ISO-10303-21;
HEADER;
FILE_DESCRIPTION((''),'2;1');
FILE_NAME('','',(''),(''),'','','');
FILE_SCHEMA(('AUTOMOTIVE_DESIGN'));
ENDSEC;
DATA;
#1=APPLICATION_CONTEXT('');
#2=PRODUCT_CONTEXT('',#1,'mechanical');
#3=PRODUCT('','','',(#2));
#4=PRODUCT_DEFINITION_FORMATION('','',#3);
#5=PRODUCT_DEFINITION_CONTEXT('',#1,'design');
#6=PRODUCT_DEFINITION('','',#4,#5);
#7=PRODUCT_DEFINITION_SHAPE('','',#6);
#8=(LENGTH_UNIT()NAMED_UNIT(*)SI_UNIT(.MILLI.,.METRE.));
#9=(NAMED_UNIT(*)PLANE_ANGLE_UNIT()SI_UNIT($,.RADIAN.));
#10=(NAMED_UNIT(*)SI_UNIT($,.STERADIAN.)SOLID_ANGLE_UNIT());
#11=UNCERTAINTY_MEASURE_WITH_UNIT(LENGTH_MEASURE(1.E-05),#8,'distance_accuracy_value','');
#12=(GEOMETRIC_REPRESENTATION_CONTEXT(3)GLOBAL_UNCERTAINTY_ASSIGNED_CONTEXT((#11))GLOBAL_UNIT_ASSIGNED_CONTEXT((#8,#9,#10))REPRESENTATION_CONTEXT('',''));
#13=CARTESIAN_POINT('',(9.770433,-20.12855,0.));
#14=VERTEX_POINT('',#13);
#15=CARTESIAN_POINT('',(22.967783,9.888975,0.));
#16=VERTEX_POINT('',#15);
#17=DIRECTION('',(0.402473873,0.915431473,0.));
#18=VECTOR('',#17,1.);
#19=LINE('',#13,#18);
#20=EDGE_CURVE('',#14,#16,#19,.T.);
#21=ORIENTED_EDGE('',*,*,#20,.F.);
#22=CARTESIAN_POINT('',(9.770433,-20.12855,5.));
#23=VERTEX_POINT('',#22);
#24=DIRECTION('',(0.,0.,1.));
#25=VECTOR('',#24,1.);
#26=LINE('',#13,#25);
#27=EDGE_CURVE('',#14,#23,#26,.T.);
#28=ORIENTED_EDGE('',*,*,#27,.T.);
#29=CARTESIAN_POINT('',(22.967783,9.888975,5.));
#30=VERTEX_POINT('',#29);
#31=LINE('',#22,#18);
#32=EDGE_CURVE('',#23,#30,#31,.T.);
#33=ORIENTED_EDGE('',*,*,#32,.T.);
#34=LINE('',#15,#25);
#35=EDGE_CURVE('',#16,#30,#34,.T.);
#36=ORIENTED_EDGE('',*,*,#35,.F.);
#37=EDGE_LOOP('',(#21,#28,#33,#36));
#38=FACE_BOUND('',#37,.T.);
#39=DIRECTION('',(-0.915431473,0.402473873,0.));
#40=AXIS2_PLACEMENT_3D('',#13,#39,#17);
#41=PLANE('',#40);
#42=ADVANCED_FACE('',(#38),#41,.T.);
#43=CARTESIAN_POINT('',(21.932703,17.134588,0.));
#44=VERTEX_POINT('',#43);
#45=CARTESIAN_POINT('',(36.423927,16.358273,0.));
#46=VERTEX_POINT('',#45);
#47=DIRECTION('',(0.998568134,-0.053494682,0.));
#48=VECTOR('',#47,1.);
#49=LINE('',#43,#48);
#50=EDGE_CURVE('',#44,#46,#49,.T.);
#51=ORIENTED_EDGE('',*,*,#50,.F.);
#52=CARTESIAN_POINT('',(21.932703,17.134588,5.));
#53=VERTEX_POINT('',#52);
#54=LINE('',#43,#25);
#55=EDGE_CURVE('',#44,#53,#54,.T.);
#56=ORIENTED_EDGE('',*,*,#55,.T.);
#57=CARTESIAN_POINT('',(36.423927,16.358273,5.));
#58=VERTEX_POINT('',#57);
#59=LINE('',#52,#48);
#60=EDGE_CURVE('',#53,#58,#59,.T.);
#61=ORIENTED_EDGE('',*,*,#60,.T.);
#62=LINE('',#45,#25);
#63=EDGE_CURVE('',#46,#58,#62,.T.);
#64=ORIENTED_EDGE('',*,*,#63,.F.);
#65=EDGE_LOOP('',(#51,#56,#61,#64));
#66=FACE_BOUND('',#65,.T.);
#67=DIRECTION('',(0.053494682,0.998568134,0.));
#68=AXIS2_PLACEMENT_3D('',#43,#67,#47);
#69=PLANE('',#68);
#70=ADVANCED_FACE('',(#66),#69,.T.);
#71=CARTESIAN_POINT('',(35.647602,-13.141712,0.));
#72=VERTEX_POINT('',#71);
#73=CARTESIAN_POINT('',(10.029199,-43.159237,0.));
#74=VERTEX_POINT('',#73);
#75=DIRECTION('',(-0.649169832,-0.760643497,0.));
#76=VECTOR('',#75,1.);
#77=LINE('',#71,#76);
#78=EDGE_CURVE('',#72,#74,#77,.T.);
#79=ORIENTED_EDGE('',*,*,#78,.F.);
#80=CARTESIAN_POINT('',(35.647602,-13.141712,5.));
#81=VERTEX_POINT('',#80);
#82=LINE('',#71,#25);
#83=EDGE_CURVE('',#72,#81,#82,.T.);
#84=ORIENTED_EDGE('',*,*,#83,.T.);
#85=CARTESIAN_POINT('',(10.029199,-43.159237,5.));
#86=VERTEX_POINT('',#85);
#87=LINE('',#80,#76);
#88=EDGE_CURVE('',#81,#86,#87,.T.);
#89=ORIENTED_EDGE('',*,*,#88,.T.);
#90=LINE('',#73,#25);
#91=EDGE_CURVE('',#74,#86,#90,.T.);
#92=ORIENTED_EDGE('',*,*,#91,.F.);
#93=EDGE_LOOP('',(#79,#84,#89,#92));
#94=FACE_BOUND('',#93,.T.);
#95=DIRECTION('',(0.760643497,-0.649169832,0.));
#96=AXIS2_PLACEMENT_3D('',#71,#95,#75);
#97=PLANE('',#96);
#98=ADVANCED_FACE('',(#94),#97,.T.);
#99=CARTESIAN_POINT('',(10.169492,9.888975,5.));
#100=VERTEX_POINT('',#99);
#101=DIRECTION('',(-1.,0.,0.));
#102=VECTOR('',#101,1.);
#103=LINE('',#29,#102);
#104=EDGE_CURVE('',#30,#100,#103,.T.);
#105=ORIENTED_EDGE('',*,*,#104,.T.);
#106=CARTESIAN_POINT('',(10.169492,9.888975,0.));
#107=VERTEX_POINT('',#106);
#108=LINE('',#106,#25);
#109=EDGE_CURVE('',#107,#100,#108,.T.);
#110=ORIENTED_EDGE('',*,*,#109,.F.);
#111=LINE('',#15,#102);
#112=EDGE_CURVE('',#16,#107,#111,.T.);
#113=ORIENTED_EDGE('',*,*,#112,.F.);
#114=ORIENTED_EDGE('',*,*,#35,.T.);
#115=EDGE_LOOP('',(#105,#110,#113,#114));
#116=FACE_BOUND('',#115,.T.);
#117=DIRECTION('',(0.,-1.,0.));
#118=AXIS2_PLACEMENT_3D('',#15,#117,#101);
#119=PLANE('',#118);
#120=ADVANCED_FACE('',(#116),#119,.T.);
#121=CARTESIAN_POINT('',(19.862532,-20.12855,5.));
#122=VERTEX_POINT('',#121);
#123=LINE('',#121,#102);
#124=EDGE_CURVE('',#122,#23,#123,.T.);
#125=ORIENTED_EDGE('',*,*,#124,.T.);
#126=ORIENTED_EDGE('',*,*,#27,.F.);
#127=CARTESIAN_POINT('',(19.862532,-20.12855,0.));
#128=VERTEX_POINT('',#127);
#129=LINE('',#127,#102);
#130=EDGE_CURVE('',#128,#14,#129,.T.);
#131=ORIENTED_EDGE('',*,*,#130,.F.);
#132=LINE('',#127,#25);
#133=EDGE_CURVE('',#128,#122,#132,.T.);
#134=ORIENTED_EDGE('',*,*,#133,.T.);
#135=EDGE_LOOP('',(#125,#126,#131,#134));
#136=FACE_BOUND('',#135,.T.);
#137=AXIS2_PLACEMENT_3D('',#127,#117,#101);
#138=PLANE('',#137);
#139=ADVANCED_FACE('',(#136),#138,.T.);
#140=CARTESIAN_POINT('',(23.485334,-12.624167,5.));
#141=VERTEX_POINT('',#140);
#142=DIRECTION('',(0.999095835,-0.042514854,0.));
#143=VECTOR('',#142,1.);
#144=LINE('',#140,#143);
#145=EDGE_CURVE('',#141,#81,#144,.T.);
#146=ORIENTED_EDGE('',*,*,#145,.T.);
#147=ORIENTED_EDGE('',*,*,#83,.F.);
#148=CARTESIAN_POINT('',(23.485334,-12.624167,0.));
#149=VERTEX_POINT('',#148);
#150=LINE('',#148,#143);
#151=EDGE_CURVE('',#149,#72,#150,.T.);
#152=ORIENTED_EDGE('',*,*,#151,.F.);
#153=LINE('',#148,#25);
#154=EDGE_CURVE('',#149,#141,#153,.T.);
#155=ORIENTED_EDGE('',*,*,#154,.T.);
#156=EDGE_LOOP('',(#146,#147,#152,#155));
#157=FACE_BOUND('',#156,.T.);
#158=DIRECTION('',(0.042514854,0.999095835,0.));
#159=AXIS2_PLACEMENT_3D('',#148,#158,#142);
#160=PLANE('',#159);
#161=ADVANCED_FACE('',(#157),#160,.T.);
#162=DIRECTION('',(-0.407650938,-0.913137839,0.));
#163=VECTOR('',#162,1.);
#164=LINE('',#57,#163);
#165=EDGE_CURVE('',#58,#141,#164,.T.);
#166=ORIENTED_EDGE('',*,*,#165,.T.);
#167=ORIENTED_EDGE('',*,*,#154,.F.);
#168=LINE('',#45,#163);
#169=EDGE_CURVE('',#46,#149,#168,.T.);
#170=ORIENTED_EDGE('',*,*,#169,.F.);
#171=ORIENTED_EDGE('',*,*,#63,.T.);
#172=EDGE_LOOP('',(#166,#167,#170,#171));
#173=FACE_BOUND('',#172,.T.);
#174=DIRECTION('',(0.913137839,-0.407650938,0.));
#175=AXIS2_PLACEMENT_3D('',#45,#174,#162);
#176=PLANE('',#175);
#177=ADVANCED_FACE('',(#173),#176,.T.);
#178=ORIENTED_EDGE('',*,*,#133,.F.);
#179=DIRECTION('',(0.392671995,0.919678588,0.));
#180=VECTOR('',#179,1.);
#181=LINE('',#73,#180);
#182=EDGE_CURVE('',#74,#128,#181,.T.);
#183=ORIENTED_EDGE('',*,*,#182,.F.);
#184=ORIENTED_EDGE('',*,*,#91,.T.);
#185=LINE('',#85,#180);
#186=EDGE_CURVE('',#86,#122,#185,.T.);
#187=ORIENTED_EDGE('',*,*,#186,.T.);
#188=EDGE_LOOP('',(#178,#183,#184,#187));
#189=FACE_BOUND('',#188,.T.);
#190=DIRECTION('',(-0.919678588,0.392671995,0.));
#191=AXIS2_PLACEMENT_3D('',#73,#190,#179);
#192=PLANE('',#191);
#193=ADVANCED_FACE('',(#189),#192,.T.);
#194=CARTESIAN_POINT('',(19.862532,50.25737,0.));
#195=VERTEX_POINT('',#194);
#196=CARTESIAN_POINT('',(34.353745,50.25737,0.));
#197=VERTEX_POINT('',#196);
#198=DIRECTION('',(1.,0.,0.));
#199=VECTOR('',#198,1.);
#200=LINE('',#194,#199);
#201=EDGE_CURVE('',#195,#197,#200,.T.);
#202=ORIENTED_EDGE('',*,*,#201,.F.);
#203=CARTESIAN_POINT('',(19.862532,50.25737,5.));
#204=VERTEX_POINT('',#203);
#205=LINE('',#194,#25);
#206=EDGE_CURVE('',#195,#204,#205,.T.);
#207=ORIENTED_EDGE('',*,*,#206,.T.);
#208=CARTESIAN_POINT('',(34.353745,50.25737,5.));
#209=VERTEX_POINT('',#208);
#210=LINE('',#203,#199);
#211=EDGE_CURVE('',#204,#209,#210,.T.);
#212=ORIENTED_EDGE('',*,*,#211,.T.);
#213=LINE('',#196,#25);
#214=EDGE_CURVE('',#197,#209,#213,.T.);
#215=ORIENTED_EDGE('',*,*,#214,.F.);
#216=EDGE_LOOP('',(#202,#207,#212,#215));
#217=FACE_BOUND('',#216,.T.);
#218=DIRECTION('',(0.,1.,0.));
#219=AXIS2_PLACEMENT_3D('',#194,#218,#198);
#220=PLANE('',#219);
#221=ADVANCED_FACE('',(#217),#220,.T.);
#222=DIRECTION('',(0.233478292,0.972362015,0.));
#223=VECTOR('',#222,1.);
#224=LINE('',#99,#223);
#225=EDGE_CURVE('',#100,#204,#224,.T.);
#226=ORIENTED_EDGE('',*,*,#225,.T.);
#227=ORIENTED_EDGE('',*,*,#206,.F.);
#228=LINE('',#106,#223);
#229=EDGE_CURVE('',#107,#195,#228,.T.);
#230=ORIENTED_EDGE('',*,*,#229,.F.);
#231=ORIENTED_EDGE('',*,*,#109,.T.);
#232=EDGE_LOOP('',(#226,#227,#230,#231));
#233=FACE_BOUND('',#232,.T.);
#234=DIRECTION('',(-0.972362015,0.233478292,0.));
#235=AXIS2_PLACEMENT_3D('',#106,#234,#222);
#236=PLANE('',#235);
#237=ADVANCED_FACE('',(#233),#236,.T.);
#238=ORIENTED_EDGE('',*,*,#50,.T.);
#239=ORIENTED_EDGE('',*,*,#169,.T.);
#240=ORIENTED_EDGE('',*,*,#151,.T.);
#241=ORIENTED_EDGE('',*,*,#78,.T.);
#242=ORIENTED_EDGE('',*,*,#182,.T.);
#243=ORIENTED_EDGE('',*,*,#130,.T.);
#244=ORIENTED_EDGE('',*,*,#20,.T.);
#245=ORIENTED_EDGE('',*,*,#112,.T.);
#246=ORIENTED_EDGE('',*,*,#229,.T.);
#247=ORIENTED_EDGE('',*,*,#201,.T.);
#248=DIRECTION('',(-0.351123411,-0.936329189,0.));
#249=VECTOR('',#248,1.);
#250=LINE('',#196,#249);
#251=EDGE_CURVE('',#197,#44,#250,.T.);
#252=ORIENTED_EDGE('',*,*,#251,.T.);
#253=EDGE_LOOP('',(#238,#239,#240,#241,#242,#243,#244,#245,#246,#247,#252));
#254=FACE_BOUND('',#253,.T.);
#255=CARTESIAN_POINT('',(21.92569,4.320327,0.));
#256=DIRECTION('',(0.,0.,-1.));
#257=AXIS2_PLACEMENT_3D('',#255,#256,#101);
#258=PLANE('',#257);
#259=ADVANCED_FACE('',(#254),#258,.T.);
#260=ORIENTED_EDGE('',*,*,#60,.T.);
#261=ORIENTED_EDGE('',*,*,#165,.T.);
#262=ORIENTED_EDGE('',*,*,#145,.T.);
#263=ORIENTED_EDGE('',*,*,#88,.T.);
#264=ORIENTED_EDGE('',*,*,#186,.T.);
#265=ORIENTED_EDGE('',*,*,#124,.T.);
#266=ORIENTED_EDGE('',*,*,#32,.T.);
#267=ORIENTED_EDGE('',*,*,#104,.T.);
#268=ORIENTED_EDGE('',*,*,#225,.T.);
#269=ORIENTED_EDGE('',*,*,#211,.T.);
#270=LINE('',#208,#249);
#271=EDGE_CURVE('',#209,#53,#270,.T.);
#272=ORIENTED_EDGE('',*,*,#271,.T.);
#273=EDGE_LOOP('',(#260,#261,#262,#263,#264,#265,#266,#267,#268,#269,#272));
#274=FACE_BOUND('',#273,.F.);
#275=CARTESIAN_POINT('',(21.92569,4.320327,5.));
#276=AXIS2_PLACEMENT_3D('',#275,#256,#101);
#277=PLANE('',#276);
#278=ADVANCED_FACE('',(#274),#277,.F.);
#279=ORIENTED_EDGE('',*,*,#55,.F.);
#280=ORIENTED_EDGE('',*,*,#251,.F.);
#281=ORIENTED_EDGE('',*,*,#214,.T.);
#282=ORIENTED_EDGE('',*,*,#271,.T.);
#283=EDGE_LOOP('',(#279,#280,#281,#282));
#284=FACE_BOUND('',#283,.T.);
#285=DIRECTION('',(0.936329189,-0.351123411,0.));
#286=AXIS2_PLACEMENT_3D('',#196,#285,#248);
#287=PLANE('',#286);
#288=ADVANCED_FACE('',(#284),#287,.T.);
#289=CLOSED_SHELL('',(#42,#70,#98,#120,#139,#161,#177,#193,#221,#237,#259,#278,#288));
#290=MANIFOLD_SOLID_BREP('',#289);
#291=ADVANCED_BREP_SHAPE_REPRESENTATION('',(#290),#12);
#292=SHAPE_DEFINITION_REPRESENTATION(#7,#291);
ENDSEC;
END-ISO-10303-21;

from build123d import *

# Parameters (mm, degrees)
PAD_DEPTH = 5


with BuildPart() as part:
    # Sketch → Pad (new body)
    with BuildSketch(Plane.XY):
        Polygon((10.169492, 9.888975), (19.862532, 50.25737), (34.353745, 50.25737), (21.932703, 17.134588), (36.423927, 16.358273), (23.485334, -12.624167), (35.647602, -13.141712), (10.029199, -43.159237), (19.862532, -20.12855), (9.770433, -20.12855), (22.967783, 9.888975), align=None)
    extrude(amount=PAD_DEPTH)


solid = part.part
